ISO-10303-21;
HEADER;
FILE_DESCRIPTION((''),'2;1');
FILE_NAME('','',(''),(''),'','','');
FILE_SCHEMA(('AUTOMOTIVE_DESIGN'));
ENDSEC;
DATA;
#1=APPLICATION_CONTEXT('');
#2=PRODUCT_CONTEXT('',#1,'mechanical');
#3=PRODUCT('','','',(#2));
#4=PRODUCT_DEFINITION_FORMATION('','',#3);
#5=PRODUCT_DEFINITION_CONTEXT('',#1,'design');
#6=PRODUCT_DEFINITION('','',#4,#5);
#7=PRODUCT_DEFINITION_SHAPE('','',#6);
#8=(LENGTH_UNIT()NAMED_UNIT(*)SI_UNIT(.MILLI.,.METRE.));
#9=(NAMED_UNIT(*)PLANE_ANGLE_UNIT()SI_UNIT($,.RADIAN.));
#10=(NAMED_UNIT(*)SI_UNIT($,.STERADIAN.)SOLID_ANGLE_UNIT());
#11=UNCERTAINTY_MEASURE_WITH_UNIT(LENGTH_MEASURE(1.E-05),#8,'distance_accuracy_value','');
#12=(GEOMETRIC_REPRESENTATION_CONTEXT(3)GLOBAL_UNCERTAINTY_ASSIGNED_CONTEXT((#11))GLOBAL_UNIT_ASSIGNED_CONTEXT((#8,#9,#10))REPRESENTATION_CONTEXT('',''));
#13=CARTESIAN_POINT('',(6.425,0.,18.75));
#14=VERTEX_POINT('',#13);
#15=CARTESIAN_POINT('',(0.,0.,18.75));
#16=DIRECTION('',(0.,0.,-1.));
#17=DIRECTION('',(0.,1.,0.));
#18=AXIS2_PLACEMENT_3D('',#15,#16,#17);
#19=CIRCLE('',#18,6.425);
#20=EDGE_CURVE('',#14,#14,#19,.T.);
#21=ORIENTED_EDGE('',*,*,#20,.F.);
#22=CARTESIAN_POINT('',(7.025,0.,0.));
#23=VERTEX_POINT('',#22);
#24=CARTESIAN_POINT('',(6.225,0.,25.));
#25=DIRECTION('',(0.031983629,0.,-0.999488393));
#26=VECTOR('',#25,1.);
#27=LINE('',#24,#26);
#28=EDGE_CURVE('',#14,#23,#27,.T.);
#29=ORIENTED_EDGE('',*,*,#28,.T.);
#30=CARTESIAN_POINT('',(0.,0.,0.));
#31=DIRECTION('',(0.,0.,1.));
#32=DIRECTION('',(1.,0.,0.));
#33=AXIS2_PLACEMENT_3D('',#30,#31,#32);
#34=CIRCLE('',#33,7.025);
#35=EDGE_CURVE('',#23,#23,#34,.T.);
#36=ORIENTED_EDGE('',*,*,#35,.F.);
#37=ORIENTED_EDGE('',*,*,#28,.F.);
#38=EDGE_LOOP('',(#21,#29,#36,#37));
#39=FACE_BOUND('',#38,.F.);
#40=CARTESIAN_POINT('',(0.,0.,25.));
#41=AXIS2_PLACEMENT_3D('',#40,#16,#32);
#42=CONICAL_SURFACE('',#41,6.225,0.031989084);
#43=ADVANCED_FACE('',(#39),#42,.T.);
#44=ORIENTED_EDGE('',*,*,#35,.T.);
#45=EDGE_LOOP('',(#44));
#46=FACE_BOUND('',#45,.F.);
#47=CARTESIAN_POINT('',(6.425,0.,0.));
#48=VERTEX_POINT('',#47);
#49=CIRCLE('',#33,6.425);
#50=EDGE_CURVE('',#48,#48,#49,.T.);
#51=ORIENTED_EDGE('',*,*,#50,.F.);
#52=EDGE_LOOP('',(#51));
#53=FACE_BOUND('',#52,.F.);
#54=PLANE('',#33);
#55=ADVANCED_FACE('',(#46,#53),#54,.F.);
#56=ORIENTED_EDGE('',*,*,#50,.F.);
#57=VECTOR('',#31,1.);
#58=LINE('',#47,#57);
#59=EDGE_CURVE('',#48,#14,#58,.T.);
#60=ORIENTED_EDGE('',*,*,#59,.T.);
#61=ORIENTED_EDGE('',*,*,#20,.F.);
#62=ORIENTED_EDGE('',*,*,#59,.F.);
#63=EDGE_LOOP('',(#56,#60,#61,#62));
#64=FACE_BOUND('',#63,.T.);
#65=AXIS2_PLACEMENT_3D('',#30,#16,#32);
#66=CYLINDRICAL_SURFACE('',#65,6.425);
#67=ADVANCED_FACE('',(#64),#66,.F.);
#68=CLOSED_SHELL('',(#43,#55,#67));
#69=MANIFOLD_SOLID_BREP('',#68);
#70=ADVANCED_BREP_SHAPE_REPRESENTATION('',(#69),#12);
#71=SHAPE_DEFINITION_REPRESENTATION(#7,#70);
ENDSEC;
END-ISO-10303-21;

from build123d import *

# Parameters (mm, degrees)
F0_R     = 7.025
F0_R_2   = 6.425
F1_DEPTH = 25


with BuildPart() as f1:
    # F0 (on Top) → F1 (new body)
    with BuildSketch(Plane.XY):
        Circle(F0_R)
        Circle(F0_R_2, mode=Mode.SUBTRACT)
    extrude(amount=F1_DEPTH)

    # F2 (on Front) → F3 (revolve, cut)
    with BuildSketch(Plane.XZ):
        Polygon((7.025, 0), (7.025, 25), (6.225, 25), align=None)
    revolve(axis=Axis((0, 0, 0), (0, 0, 1)), mode=Mode.SUBTRACT)


solid = f1.part
